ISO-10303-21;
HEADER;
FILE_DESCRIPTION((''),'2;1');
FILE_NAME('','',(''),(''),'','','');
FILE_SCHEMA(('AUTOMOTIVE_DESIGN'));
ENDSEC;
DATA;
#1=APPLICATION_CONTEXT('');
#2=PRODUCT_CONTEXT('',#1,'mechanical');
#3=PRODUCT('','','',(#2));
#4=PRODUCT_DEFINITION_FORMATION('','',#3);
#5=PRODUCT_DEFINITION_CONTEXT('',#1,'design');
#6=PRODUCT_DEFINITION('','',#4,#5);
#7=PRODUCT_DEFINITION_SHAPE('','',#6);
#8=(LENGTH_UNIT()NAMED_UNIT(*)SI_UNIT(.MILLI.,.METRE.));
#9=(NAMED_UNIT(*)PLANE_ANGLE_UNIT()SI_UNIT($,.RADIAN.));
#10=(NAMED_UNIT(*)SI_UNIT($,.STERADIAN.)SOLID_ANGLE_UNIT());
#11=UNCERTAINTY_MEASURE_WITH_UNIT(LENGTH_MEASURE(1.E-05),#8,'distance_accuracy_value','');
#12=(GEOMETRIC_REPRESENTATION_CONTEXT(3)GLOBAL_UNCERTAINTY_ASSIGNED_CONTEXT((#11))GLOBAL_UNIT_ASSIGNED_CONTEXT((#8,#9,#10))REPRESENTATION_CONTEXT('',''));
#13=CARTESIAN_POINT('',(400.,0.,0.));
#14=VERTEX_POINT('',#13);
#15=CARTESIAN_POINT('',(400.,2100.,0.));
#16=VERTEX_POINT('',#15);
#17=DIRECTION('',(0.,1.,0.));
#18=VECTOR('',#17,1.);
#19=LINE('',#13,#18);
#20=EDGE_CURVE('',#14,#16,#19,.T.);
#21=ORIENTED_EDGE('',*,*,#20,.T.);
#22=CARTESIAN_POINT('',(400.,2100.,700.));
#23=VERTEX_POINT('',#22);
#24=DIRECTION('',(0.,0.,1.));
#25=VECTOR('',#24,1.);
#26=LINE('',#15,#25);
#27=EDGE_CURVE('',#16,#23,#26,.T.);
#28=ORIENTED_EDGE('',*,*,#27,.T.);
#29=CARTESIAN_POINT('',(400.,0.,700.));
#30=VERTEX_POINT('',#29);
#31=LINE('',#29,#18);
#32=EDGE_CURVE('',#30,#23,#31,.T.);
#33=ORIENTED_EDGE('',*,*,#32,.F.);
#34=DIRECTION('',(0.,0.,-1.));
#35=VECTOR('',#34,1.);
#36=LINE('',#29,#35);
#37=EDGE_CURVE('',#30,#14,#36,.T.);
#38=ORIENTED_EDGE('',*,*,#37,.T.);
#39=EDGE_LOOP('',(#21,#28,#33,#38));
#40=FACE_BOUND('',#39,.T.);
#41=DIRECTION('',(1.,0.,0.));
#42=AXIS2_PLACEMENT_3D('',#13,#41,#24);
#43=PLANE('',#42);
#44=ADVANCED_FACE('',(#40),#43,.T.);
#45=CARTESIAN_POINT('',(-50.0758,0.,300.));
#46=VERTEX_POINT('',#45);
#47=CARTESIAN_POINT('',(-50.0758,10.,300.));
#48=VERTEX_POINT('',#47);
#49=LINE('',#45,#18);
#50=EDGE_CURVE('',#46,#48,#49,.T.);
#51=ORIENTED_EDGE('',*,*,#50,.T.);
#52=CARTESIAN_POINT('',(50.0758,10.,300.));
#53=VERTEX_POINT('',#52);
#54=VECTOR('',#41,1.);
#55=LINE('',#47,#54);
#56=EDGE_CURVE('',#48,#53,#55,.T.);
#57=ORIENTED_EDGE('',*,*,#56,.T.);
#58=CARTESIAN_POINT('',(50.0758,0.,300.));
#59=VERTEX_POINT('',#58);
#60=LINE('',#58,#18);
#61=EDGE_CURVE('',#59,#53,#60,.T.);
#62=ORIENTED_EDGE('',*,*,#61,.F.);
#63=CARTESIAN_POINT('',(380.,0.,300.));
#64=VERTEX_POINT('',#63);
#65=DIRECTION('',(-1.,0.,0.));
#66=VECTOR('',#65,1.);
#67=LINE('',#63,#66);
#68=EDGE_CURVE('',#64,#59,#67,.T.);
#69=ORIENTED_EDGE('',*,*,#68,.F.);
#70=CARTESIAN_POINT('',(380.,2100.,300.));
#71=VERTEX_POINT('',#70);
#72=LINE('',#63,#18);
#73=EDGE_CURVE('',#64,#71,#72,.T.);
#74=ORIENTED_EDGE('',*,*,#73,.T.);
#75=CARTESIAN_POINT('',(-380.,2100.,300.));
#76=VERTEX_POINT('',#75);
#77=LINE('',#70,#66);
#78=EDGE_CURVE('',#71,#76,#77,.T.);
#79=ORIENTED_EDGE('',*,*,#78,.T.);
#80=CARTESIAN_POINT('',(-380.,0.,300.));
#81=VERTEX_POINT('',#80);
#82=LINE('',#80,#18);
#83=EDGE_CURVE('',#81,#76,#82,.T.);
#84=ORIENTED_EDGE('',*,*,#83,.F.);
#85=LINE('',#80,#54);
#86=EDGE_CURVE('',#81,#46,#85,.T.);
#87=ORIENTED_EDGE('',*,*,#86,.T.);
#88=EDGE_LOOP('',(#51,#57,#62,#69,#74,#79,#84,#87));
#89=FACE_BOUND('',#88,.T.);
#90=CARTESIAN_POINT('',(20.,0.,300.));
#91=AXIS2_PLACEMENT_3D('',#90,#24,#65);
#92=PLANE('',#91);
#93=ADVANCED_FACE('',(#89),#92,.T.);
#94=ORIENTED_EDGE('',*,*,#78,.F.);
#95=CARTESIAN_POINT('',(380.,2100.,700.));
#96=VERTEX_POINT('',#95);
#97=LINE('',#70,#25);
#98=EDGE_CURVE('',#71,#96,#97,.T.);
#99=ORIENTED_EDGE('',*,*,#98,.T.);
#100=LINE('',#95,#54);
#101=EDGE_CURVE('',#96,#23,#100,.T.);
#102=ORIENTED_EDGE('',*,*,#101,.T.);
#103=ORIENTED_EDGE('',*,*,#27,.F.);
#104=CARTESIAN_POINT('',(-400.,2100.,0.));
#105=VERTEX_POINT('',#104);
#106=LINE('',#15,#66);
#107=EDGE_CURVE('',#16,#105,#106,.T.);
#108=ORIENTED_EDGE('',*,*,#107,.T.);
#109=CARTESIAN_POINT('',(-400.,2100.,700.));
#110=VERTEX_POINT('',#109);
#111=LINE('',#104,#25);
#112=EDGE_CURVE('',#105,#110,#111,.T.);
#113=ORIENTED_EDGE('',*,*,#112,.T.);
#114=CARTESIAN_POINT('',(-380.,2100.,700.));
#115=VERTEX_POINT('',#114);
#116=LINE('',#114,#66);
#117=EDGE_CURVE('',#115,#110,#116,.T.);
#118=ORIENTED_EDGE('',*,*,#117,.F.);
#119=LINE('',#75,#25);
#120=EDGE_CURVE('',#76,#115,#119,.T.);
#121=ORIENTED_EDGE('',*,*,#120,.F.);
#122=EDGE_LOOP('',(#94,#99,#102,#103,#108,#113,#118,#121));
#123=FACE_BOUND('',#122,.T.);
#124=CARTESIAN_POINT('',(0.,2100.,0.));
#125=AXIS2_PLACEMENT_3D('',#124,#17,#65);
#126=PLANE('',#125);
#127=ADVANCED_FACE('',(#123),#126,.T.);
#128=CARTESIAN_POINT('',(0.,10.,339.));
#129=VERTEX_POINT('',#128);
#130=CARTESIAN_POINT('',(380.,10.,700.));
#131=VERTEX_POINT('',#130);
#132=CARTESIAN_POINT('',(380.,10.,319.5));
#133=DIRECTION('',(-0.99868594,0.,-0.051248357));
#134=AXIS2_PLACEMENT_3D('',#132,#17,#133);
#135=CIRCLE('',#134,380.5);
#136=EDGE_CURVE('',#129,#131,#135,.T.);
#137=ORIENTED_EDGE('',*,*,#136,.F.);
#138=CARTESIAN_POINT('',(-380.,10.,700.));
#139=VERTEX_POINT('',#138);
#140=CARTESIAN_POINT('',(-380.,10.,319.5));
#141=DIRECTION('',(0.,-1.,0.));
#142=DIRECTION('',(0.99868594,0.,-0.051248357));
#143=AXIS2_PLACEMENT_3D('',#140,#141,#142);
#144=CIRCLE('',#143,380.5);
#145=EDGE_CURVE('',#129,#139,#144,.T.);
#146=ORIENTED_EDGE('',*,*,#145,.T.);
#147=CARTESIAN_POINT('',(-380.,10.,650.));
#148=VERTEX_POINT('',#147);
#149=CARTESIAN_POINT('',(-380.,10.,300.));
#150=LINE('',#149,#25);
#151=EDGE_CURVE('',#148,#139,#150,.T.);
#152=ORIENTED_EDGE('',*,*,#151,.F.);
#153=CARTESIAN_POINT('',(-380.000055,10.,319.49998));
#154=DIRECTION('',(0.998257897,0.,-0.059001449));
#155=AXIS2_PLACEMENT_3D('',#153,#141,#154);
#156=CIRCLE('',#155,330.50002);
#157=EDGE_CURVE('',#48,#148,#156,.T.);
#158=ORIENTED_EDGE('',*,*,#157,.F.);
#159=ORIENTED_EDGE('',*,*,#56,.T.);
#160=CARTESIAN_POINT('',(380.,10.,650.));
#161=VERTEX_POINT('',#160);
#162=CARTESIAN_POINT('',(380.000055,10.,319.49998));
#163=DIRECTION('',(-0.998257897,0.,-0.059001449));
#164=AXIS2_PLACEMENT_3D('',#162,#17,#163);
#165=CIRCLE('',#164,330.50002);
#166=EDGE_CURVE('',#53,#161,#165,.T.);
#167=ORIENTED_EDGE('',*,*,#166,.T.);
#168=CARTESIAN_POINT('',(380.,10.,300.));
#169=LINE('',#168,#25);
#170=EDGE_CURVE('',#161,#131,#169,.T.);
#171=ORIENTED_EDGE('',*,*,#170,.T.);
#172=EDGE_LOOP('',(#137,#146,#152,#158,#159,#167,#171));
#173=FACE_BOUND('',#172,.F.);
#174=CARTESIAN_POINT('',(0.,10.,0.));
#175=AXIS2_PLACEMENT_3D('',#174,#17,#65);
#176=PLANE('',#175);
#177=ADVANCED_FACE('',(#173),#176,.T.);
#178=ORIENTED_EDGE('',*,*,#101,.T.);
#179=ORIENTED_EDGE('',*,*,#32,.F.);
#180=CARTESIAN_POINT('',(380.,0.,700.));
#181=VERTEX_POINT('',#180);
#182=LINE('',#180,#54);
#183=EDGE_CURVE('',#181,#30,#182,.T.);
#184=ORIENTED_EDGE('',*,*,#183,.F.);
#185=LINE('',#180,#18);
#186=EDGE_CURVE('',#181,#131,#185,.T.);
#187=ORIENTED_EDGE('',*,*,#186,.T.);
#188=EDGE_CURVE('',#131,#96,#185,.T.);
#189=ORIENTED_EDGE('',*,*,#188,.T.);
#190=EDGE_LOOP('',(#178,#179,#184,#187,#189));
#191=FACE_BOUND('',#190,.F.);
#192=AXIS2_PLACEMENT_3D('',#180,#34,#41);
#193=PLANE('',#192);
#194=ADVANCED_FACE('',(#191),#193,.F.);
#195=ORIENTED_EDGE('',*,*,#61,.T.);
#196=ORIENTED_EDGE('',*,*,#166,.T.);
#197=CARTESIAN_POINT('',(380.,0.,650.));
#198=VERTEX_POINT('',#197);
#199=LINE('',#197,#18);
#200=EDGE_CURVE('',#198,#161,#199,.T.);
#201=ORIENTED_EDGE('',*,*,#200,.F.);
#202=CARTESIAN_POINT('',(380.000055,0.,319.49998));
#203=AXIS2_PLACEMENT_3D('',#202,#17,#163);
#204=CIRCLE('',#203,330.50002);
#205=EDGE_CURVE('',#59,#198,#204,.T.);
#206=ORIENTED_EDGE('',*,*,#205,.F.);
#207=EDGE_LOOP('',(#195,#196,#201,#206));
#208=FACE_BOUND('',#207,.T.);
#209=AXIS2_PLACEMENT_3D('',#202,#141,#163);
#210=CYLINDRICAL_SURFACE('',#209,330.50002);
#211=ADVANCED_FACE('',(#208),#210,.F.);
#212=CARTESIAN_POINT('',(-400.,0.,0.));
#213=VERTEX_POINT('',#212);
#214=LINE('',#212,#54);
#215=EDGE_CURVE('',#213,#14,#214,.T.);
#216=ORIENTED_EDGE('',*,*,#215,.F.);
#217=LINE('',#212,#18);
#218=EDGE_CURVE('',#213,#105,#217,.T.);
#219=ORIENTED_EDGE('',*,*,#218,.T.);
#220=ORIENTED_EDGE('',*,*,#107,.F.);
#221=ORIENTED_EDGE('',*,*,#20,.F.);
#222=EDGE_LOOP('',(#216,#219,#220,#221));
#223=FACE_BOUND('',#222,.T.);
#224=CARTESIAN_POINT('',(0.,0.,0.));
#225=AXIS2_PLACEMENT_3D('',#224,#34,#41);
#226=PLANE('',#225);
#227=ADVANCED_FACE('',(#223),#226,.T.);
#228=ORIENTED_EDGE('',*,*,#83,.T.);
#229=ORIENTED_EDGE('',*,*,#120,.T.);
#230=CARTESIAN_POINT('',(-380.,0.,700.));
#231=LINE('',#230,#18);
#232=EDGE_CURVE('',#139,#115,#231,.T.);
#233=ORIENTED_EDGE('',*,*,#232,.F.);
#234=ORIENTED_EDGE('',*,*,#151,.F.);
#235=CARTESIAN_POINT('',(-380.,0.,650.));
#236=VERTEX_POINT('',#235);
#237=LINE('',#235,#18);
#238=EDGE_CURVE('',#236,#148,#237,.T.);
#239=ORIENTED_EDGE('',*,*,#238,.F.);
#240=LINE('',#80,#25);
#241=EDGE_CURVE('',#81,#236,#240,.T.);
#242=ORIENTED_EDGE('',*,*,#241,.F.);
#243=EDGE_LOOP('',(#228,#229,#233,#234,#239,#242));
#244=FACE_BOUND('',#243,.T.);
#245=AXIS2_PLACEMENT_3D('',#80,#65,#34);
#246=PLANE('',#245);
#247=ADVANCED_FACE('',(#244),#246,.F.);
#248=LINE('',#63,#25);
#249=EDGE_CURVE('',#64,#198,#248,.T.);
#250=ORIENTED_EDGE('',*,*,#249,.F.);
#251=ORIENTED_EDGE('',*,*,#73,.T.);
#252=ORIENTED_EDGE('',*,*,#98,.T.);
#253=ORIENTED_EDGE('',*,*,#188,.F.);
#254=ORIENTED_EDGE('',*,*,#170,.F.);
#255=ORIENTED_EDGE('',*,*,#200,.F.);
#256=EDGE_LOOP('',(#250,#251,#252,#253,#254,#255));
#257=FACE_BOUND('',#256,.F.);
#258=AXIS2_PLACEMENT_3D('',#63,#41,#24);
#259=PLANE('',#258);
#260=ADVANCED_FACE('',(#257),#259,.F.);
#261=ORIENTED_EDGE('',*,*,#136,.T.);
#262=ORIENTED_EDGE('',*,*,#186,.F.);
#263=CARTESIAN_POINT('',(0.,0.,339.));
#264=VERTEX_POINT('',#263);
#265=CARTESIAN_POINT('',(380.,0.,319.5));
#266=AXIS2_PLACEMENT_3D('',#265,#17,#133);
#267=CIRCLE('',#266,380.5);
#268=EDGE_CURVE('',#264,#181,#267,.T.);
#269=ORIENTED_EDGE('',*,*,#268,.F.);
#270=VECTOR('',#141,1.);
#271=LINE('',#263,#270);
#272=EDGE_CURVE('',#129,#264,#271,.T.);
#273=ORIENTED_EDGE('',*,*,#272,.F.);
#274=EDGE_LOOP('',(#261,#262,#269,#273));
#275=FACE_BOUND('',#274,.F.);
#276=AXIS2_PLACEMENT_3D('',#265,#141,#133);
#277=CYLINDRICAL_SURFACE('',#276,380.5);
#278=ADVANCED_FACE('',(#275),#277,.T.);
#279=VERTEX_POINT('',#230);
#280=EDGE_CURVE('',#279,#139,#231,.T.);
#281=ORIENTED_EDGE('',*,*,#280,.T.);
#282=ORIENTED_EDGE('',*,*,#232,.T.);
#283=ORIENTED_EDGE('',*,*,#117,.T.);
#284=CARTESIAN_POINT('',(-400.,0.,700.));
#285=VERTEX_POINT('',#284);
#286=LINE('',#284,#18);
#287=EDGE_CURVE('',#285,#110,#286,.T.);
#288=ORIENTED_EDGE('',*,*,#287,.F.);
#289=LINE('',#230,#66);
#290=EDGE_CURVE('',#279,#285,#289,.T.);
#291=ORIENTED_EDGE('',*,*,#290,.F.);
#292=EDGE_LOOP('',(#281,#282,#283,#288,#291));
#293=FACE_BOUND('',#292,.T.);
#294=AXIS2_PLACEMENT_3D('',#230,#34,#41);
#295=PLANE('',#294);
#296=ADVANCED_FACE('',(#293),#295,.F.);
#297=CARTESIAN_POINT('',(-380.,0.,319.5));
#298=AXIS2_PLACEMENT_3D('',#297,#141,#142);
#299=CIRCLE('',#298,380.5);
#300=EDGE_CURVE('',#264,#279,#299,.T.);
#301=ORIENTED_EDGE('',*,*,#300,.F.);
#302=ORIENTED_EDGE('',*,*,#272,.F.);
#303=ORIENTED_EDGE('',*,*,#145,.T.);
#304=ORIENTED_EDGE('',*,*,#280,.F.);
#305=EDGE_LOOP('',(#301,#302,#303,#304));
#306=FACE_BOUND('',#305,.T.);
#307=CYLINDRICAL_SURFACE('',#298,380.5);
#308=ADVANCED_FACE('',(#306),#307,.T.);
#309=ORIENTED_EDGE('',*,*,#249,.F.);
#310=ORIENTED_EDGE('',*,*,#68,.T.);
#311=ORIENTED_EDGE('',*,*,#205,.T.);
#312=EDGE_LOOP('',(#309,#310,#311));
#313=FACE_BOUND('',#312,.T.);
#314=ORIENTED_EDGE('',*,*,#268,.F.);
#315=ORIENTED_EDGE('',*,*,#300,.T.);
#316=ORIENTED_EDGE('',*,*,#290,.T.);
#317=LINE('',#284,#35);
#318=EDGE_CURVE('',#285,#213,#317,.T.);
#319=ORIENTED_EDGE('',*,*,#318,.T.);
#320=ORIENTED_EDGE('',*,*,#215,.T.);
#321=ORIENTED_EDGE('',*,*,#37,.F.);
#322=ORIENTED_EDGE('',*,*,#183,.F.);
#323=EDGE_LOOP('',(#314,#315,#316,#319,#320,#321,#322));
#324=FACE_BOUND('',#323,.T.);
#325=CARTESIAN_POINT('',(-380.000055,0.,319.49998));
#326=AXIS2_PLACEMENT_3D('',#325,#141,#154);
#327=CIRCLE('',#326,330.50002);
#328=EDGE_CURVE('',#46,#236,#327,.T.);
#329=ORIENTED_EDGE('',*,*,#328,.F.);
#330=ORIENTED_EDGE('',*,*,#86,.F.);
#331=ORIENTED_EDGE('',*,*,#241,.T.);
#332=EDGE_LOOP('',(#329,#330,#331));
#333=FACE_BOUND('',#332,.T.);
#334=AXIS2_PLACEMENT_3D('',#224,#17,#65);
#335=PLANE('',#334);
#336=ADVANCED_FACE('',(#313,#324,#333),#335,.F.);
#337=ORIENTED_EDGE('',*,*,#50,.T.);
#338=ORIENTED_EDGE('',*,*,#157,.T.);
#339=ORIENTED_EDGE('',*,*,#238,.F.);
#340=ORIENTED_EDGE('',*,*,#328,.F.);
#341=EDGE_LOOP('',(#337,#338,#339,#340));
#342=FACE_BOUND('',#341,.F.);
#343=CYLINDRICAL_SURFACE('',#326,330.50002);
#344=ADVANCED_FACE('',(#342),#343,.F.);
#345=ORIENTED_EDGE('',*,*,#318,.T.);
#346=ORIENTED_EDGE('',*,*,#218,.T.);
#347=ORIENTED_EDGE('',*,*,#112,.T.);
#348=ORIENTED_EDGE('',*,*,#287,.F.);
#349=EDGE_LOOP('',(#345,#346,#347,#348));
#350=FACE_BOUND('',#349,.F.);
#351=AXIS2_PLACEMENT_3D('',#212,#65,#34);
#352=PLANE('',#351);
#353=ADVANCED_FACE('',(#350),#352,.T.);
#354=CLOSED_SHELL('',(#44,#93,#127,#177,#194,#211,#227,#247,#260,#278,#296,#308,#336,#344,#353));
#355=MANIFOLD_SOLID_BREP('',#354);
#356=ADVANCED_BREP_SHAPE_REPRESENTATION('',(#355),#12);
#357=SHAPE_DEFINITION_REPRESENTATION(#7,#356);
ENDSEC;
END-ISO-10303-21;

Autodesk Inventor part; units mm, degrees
ref_plane "YZ Plane" through (0, 0, 0) normal (1, 0, 0) x (0, 1, 0)
ref_plane "XZ Plane" through (0, 0, 0) normal (0, 1, 0) x (-1, 0, 0)
ref_plane "XY Plane" through (0, 0, 0) normal (0, 0, 1) x (1, 0, 0)
sketch "Sketch1" plane through (0, 0, 0) normal (0, 1, 0) x (-1, 0, 0)
  line L0 (0, 0) -> (-400, 0)
  line L1 (-400, 0) -> (-400, 300)
  line L2 (-400, 300) -> (0, 300)
  line L3 (0, 300) -> (0, 0)
  line L4 (0, 300) -> (-20, 300)
  line L5 (-400, 300) -> (-380, 300)
  line L6 (-380, 300) -> (-380, 700)
  line L7 (-380, 700) -> (-400, 700)
  line L8 (-400, 700) -> (-400, 300)
  point P0 (-380, 300)
  dimension "d0" = 400
  dimension "d1" = 300
  dimension "d9" = 400
  dimension "d10" = 20
extrude "Extrusion1" add sketch "Sketch1" along normal blind 2100
sketch "Sketch3" plane through (0, 0, 0) normal (0, 1, 0) x (-1, 0, 0)
  line L0 (0, 300) -> (-380, 300) projected
  line L1 (-380, 300) -> (-380, 700) projected
  line L2 (-380, 700) -> (-400, 700) projected
  line L3 (-400, 700) -> (-400, 0) projected
  line L4 (-400, 0) -> (0, 0) projected
  line L5 (0, 0) -> (0, 300) projected
  arc A0 (0, 300) -> (-380, 700) centre (-380, 319.5) ccw
  arc A1 (-50.0758, 300) -> (-380, 650) centre (-380, 319.5) ccw
  dimension "d11" = 50
extrude "Extrusion3" add sketch "Sketch3" along normal blind 10 contours L0 A1 L1 A0
mirror "Mirror1" about plane through (0, 0, 0) normal (-1, 0, 0) of "Extrusion1", "Extrusion3"
equation "\"d9\" = d0"
properties part number "Electrical box 4"
